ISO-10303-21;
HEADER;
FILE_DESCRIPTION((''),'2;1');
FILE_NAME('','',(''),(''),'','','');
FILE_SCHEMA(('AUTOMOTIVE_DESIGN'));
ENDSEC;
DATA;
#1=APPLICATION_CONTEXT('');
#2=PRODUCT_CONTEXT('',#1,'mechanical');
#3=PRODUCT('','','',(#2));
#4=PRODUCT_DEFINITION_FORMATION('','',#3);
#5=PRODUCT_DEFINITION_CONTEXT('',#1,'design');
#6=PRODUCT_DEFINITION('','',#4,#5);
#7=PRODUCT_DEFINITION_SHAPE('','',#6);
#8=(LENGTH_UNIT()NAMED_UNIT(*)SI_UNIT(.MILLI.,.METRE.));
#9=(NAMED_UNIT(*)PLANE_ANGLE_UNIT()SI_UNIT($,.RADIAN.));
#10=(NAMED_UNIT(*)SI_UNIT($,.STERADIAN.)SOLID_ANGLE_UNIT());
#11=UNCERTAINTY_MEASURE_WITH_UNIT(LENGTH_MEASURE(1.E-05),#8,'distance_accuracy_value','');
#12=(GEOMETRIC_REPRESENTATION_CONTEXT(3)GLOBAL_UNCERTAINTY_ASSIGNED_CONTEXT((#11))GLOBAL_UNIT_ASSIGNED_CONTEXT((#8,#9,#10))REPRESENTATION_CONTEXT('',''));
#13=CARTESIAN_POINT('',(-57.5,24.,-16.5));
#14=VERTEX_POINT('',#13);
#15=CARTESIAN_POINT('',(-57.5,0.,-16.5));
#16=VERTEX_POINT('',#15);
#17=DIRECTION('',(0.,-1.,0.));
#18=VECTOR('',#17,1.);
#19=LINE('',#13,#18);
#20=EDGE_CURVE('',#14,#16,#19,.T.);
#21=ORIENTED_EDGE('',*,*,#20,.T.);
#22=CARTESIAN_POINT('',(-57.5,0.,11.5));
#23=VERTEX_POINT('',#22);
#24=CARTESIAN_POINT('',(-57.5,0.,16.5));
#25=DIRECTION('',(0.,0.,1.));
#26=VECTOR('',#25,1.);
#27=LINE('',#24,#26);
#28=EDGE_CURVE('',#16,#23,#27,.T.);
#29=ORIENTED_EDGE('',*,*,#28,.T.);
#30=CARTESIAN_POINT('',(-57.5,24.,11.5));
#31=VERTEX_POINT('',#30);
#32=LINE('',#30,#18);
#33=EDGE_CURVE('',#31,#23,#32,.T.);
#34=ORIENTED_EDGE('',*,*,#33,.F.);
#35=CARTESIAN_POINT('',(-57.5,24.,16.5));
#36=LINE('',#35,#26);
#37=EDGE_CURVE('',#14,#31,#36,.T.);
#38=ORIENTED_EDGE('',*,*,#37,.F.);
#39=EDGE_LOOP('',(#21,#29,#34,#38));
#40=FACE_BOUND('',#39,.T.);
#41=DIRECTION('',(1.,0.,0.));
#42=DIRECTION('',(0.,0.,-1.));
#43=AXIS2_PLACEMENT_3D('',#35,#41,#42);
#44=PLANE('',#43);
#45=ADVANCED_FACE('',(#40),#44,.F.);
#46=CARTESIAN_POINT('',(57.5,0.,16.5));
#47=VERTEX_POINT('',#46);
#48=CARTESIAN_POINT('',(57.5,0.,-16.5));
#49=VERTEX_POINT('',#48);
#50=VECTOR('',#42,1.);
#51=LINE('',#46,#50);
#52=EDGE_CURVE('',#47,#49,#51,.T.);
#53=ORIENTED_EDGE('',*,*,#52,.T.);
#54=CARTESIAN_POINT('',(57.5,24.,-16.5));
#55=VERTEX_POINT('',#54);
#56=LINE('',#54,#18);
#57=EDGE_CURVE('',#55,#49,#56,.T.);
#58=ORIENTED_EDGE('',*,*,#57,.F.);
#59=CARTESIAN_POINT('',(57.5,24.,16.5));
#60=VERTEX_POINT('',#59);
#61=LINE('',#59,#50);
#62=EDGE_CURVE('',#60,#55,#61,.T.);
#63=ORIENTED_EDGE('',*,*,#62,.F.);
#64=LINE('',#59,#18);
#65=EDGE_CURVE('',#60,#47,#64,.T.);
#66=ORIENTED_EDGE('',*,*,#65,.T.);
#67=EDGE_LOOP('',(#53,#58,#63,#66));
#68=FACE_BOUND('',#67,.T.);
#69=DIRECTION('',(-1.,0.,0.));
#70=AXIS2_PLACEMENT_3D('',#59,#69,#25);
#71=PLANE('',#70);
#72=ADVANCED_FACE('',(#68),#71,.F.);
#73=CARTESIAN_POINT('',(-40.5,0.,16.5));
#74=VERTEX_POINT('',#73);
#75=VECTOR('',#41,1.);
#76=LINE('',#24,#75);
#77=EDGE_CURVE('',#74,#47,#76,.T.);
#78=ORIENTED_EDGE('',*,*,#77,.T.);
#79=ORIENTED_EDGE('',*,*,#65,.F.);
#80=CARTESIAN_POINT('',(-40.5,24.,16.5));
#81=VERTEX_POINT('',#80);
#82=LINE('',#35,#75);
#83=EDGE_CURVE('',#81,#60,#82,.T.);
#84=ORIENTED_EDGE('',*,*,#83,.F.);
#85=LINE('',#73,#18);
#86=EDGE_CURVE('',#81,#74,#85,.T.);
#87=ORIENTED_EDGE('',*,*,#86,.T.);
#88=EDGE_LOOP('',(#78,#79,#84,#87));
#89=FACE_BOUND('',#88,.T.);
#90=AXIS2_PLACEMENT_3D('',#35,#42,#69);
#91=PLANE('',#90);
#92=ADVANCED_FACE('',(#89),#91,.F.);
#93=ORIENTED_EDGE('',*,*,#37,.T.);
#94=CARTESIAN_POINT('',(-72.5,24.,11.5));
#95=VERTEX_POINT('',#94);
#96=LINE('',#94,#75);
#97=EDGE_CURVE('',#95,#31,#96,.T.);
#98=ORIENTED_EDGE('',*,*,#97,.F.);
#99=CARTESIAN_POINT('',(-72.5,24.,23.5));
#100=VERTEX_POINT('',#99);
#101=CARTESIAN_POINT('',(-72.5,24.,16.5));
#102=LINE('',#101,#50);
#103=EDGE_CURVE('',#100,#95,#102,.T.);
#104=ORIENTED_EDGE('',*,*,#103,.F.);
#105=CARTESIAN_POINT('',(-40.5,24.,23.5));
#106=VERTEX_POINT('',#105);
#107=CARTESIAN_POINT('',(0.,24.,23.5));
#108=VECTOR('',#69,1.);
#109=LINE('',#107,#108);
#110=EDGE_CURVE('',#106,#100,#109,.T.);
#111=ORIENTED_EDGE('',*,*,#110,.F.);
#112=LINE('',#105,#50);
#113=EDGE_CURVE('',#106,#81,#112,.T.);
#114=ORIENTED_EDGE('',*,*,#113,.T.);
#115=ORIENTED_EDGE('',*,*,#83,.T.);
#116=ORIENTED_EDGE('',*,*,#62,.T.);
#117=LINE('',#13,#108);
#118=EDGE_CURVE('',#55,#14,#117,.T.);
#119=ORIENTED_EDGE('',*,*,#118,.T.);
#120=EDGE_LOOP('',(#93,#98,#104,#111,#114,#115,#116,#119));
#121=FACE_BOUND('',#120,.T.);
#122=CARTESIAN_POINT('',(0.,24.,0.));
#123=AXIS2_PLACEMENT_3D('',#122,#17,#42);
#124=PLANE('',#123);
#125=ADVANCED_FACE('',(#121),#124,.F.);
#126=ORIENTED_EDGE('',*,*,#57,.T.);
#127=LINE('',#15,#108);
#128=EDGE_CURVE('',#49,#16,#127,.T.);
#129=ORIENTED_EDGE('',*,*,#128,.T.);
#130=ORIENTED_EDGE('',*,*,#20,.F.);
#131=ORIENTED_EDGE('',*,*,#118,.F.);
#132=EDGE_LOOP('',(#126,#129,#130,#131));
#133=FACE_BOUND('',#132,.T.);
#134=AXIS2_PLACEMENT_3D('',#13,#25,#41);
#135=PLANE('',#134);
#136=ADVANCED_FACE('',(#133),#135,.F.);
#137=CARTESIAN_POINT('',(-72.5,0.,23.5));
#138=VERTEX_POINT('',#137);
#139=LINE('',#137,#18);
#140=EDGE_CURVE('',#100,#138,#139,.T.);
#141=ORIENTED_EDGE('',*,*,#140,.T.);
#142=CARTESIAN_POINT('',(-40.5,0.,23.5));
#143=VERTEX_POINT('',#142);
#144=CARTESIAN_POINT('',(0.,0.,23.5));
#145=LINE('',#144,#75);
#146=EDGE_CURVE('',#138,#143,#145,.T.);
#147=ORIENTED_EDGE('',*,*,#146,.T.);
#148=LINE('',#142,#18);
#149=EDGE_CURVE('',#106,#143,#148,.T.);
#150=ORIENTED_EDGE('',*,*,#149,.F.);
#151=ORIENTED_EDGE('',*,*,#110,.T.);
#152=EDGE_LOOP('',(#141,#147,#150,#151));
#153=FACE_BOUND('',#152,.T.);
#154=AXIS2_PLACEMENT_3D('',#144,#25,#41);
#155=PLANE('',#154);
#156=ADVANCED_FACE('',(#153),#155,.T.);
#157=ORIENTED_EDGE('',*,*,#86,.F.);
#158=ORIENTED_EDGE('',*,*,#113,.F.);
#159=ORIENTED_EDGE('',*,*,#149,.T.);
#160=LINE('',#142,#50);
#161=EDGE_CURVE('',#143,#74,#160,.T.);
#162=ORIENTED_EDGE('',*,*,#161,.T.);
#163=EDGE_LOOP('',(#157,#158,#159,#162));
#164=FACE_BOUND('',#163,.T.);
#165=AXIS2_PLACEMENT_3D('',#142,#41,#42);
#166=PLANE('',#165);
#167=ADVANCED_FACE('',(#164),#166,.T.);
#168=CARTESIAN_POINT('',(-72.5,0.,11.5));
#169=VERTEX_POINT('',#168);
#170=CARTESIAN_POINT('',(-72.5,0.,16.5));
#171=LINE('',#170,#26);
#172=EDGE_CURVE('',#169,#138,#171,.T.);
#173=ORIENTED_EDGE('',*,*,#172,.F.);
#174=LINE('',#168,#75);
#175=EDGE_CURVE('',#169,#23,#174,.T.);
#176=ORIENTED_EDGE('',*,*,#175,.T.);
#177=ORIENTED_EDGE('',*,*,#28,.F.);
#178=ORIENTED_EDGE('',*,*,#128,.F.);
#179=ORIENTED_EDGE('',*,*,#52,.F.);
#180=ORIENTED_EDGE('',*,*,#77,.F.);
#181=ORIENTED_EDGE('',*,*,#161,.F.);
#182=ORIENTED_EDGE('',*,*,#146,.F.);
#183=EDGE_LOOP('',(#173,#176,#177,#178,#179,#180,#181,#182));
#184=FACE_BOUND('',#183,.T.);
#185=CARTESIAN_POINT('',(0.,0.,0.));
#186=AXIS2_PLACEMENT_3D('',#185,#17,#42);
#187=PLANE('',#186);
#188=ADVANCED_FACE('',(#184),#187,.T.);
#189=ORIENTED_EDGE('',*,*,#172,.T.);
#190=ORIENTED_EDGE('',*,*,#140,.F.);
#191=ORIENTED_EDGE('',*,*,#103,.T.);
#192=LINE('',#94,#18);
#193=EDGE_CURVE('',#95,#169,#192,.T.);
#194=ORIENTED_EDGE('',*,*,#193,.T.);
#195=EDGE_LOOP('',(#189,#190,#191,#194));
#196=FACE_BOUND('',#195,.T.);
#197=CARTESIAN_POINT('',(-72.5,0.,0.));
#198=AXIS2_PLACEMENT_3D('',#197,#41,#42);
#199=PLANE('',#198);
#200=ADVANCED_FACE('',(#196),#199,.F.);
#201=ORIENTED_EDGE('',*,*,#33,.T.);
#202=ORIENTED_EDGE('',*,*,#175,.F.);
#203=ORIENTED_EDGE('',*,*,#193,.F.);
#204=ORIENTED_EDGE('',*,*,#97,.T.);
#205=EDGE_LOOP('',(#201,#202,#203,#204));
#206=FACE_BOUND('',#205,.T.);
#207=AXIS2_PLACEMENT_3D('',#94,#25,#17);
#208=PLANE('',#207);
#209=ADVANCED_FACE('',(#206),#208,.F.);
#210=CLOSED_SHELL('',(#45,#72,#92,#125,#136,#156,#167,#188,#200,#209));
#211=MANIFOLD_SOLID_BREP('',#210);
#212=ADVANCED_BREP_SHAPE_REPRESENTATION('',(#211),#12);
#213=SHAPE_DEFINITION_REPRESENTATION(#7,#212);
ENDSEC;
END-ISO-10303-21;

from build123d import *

# Parameters (mm, degrees)
SKETCH1_W           = 115
SKETCH1_H           = 33
BOSS_EXTRUDE1_DEPTH = 24
SKETCH2_W           = 5
SKETCH2_H           = 24
BOSS_EXTRUDE2_DEPTH = 15
SKETCH3_W           = 17
SKETCH3_H           = 24
SKETCH3_W_2         = 15
BOSS_EXTRUDE3_DEPTH = 7


with BuildPart() as part:
    # Sketch1 → Boss-Extrude1 (new body)
    with BuildSketch(Plane(origin=(0, 0, 0), x_dir=(1, 0, 0), z_dir=(0, 1, 0))):
        Rectangle(SKETCH1_W, SKETCH1_H)
    extrude(amount=BOSS_EXTRUDE1_DEPTH)

    # Sketch2 → Boss-Extrude2 (add)
    with BuildSketch(Plane.ZY.offset(57.5)):
        with Locations((14, 12)):
            Rectangle(SKETCH2_W, SKETCH2_H)
    extrude(amount=BOSS_EXTRUDE2_DEPTH)

    # Sketch3 → Boss-Extrude3 (add)
    with BuildSketch(Plane.XY.offset(16.5)):
        with Locations((-49, 12)):
            Rectangle(SKETCH3_W, SKETCH3_H)
        with Locations((-65, 12)):
            Rectangle(SKETCH3_W_2, SKETCH3_H)
    extrude(amount=BOSS_EXTRUDE3_DEPTH)


solid = part.part
